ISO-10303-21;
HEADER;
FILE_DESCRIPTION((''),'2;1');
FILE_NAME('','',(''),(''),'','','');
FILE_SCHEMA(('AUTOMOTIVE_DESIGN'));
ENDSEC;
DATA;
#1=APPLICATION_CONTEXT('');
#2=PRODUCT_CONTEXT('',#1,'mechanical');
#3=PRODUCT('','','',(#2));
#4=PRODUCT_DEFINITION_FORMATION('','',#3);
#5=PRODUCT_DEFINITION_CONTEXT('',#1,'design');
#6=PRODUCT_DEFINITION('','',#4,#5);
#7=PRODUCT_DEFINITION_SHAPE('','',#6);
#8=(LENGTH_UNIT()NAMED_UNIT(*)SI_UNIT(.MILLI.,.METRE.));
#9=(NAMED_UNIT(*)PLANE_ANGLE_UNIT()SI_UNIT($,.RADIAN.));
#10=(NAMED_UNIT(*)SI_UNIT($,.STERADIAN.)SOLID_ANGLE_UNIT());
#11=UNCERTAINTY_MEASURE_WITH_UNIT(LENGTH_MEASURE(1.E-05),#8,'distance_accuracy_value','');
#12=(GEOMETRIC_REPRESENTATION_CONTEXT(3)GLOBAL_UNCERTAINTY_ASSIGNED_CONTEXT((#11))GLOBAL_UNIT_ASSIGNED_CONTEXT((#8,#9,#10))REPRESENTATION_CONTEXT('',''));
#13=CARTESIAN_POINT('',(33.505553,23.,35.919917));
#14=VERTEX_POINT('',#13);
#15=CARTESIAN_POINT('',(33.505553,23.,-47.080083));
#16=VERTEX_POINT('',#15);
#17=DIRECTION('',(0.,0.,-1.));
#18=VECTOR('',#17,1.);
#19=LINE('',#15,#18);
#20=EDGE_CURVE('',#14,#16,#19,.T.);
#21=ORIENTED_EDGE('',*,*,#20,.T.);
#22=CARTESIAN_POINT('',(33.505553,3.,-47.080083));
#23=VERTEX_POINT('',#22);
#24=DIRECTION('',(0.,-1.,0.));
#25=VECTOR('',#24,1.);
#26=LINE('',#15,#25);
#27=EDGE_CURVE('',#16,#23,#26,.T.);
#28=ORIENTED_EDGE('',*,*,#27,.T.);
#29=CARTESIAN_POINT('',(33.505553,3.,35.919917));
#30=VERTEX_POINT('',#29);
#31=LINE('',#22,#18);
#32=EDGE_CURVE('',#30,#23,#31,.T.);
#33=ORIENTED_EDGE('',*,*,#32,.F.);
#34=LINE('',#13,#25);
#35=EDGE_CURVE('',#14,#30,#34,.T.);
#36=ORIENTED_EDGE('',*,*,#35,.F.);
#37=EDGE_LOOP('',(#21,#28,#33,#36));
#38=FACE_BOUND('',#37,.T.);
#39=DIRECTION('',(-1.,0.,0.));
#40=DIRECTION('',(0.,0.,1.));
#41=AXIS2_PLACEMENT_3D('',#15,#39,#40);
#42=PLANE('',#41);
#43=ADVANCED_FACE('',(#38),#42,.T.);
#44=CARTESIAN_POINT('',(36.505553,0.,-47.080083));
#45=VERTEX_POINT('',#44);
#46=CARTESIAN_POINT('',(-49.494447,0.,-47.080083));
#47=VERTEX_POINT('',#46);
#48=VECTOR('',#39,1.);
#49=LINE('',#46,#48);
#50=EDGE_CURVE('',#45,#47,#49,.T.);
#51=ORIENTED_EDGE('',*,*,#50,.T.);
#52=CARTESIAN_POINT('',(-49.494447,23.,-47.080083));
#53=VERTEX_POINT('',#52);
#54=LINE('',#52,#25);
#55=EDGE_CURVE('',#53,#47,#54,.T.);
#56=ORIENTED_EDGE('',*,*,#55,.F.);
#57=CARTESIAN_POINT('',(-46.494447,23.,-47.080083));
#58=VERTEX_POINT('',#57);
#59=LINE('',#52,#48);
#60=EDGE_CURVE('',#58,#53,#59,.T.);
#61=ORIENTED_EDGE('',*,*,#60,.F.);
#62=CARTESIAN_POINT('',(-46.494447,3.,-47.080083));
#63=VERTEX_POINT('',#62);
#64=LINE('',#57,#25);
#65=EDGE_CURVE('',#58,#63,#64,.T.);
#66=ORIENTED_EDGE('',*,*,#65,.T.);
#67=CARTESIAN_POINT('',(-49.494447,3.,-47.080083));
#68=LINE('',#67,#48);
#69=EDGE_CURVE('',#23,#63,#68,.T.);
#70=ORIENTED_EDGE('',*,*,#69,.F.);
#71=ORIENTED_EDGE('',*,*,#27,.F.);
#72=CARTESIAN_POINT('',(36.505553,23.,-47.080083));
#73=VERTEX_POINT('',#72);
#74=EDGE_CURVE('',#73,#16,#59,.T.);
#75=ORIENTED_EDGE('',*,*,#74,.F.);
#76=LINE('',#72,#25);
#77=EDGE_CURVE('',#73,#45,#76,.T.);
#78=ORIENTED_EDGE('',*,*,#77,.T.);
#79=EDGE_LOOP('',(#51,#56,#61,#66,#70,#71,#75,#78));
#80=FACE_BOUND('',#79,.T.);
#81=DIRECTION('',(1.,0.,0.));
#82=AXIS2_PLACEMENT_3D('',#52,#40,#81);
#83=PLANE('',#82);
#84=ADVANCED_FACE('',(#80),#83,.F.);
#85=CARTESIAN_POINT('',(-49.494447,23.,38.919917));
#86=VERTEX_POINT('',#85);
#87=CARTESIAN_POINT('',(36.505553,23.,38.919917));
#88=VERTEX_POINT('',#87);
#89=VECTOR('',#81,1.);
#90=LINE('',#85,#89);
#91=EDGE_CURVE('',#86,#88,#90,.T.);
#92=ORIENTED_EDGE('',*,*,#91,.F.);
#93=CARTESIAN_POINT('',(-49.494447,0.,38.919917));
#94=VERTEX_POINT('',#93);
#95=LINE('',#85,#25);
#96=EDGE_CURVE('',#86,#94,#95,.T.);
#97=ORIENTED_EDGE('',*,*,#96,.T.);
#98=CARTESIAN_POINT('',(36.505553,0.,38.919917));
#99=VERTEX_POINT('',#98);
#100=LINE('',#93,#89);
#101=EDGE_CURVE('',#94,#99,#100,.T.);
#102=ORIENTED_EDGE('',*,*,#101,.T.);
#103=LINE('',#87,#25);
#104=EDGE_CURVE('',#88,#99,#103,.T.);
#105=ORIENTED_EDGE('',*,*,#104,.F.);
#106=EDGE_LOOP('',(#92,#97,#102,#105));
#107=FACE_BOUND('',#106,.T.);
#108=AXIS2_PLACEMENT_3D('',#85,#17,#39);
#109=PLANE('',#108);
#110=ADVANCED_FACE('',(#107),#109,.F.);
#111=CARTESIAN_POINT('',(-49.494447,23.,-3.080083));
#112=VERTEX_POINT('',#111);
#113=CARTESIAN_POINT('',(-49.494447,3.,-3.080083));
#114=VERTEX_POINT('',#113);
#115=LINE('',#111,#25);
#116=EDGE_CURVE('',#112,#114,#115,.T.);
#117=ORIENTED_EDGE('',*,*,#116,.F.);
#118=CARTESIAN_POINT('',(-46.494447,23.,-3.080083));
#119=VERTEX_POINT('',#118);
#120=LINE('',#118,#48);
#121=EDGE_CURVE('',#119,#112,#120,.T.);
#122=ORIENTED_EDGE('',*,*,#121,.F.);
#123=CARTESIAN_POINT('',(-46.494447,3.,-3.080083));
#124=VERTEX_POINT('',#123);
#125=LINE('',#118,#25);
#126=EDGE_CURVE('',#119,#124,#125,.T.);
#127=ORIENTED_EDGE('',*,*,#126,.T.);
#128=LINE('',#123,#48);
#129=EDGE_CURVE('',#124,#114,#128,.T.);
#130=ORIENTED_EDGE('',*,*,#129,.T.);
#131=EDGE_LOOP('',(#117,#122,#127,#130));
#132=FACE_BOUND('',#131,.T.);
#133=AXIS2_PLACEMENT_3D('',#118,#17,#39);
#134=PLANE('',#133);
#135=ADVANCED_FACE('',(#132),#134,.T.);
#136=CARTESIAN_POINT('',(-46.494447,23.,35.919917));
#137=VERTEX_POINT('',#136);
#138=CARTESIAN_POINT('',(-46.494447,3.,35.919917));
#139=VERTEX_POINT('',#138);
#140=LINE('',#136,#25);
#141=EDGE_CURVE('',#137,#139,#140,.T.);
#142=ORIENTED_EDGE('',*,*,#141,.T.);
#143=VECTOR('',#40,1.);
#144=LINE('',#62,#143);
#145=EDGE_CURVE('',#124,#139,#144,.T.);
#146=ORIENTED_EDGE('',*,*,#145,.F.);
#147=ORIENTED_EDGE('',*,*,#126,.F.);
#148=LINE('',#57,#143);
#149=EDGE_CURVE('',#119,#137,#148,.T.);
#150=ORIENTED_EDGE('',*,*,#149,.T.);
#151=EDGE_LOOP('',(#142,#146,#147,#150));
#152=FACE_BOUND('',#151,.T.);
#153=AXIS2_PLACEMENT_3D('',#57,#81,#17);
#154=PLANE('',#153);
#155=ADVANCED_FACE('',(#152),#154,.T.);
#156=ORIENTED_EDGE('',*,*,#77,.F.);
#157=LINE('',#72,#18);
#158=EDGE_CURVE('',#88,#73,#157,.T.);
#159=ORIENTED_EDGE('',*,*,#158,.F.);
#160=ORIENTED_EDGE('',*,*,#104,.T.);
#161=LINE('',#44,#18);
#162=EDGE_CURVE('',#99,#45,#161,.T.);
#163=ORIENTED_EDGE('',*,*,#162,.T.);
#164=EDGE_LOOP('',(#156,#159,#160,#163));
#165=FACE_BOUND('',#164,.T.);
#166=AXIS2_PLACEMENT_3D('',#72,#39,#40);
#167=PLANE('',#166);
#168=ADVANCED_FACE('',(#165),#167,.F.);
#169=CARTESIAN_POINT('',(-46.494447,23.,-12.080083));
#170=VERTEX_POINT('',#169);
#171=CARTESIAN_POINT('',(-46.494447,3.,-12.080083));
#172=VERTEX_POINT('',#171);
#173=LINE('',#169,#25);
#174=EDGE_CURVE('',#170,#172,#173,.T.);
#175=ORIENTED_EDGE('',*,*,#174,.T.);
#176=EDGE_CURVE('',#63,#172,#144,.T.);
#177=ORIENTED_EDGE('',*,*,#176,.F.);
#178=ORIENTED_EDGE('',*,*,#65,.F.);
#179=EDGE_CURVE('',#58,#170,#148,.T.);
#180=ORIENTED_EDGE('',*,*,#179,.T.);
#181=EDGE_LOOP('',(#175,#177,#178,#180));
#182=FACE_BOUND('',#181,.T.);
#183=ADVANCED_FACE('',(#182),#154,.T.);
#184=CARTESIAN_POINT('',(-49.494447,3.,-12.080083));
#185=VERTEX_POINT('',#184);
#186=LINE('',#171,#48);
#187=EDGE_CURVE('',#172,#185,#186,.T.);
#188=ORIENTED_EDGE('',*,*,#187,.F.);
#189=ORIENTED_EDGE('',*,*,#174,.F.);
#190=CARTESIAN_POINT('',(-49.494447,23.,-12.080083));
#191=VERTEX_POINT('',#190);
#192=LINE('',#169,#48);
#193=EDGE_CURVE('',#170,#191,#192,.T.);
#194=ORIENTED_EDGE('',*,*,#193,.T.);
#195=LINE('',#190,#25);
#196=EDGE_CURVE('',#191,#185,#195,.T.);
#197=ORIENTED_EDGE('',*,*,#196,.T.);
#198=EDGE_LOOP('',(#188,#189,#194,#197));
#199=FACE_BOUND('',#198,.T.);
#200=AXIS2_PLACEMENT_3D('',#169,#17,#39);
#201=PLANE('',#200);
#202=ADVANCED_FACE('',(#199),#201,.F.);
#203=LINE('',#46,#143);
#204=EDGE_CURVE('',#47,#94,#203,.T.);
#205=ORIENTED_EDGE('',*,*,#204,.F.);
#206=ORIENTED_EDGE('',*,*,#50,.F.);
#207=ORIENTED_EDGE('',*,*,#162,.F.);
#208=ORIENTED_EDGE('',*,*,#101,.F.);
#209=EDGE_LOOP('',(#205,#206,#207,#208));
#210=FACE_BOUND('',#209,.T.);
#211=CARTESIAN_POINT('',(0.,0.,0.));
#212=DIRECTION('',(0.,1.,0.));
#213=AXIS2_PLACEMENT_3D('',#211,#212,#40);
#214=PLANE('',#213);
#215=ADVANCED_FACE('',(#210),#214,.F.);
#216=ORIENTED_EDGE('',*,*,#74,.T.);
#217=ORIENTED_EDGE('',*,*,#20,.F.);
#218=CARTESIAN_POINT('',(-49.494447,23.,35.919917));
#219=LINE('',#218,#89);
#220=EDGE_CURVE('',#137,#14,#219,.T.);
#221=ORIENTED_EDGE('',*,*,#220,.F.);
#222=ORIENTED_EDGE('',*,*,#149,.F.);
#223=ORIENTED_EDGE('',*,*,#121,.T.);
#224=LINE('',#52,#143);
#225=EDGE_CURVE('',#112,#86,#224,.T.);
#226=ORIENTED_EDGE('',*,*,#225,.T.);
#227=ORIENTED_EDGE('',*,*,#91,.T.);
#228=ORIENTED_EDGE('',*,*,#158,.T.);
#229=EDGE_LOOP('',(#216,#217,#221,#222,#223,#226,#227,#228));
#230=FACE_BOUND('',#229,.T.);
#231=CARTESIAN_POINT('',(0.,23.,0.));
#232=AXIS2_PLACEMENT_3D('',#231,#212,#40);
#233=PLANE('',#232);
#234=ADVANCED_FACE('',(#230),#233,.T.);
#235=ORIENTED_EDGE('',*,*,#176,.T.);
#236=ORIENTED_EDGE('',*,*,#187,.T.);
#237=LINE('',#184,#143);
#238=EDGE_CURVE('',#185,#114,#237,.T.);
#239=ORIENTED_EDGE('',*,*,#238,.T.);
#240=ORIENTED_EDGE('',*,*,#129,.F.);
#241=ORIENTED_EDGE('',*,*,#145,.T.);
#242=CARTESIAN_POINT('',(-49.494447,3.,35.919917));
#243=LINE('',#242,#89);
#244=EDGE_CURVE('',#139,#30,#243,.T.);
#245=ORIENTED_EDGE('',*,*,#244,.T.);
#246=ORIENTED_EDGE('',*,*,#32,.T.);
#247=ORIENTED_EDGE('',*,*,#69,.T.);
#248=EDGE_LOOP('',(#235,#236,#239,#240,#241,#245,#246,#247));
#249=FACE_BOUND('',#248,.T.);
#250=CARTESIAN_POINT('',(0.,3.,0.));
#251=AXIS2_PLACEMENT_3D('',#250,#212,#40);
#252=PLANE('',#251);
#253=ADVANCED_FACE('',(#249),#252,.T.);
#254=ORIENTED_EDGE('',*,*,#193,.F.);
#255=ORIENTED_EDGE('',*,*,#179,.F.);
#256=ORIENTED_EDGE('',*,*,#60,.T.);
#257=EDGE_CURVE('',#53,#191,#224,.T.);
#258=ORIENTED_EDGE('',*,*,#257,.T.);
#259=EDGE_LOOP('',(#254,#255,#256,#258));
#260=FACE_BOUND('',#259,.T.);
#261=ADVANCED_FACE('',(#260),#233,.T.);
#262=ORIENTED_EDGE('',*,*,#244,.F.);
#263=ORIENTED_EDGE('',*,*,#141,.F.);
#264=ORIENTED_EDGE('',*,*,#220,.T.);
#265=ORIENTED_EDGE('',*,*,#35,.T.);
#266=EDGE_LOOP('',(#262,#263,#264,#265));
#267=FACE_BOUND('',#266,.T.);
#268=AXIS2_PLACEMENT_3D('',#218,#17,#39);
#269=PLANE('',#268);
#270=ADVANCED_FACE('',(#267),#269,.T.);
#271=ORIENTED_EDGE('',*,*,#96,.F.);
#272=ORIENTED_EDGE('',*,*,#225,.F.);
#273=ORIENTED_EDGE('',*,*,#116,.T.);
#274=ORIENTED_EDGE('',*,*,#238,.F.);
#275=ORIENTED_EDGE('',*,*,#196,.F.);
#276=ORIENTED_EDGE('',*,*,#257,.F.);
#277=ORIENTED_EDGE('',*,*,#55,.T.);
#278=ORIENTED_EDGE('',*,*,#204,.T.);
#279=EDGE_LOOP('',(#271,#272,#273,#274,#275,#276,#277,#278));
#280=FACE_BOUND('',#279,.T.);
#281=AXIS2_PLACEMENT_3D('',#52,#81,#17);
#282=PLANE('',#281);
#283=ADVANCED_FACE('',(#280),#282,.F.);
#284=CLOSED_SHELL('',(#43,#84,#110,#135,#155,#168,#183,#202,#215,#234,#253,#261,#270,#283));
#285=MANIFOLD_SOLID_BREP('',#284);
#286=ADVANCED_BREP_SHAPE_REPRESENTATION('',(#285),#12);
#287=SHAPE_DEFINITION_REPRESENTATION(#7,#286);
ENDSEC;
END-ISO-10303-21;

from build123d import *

# Parameters (mm, degrees)
SKETCH1_W           = 86
SKETCH1_H           = 86
BOSS_EXTRUDE1_DEPTH = 23
SHELL1_T            = -3
SKETCH2_W           = 9
SKETCH2_H           = 20
CUT_EXTRUDE1_DEPTH  = 3


with BuildPart() as part:
    # Sketch1 → Boss-Extrude1 (new body)
    with BuildSketch(Plane(origin=(0, 0, 0), x_dir=(1, 0, 0), z_dir=(0, 1, 0))):
        with Locations((-6.49444668, 4.080083427)):
            Rectangle(SKETCH1_W, SKETCH1_H)
    extrude(amount=BOSS_EXTRUDE1_DEPTH)

    # Shell1
    shell1_openings = [part.faces().sort_by_distance(p)[0] for p in [
        (-6.49444668, 23, -4.080083427),
        (-6.49444668, 11.5, -47.080083427),
    ]]
    offset(amount=SHELL1_T, openings=shell1_openings, kind=Kind.INTERSECTION)

    # Sketch2 → Cut-Extrude1 (cut)
    with BuildSketch(Plane.ZY.offset(49.49444668)):
        with Locations((-7.580083427, 13)):
            Rectangle(SKETCH2_W, SKETCH2_H)
    extrude(amount=-CUT_EXTRUDE1_DEPTH, mode=Mode.SUBTRACT)


solid = part.part
